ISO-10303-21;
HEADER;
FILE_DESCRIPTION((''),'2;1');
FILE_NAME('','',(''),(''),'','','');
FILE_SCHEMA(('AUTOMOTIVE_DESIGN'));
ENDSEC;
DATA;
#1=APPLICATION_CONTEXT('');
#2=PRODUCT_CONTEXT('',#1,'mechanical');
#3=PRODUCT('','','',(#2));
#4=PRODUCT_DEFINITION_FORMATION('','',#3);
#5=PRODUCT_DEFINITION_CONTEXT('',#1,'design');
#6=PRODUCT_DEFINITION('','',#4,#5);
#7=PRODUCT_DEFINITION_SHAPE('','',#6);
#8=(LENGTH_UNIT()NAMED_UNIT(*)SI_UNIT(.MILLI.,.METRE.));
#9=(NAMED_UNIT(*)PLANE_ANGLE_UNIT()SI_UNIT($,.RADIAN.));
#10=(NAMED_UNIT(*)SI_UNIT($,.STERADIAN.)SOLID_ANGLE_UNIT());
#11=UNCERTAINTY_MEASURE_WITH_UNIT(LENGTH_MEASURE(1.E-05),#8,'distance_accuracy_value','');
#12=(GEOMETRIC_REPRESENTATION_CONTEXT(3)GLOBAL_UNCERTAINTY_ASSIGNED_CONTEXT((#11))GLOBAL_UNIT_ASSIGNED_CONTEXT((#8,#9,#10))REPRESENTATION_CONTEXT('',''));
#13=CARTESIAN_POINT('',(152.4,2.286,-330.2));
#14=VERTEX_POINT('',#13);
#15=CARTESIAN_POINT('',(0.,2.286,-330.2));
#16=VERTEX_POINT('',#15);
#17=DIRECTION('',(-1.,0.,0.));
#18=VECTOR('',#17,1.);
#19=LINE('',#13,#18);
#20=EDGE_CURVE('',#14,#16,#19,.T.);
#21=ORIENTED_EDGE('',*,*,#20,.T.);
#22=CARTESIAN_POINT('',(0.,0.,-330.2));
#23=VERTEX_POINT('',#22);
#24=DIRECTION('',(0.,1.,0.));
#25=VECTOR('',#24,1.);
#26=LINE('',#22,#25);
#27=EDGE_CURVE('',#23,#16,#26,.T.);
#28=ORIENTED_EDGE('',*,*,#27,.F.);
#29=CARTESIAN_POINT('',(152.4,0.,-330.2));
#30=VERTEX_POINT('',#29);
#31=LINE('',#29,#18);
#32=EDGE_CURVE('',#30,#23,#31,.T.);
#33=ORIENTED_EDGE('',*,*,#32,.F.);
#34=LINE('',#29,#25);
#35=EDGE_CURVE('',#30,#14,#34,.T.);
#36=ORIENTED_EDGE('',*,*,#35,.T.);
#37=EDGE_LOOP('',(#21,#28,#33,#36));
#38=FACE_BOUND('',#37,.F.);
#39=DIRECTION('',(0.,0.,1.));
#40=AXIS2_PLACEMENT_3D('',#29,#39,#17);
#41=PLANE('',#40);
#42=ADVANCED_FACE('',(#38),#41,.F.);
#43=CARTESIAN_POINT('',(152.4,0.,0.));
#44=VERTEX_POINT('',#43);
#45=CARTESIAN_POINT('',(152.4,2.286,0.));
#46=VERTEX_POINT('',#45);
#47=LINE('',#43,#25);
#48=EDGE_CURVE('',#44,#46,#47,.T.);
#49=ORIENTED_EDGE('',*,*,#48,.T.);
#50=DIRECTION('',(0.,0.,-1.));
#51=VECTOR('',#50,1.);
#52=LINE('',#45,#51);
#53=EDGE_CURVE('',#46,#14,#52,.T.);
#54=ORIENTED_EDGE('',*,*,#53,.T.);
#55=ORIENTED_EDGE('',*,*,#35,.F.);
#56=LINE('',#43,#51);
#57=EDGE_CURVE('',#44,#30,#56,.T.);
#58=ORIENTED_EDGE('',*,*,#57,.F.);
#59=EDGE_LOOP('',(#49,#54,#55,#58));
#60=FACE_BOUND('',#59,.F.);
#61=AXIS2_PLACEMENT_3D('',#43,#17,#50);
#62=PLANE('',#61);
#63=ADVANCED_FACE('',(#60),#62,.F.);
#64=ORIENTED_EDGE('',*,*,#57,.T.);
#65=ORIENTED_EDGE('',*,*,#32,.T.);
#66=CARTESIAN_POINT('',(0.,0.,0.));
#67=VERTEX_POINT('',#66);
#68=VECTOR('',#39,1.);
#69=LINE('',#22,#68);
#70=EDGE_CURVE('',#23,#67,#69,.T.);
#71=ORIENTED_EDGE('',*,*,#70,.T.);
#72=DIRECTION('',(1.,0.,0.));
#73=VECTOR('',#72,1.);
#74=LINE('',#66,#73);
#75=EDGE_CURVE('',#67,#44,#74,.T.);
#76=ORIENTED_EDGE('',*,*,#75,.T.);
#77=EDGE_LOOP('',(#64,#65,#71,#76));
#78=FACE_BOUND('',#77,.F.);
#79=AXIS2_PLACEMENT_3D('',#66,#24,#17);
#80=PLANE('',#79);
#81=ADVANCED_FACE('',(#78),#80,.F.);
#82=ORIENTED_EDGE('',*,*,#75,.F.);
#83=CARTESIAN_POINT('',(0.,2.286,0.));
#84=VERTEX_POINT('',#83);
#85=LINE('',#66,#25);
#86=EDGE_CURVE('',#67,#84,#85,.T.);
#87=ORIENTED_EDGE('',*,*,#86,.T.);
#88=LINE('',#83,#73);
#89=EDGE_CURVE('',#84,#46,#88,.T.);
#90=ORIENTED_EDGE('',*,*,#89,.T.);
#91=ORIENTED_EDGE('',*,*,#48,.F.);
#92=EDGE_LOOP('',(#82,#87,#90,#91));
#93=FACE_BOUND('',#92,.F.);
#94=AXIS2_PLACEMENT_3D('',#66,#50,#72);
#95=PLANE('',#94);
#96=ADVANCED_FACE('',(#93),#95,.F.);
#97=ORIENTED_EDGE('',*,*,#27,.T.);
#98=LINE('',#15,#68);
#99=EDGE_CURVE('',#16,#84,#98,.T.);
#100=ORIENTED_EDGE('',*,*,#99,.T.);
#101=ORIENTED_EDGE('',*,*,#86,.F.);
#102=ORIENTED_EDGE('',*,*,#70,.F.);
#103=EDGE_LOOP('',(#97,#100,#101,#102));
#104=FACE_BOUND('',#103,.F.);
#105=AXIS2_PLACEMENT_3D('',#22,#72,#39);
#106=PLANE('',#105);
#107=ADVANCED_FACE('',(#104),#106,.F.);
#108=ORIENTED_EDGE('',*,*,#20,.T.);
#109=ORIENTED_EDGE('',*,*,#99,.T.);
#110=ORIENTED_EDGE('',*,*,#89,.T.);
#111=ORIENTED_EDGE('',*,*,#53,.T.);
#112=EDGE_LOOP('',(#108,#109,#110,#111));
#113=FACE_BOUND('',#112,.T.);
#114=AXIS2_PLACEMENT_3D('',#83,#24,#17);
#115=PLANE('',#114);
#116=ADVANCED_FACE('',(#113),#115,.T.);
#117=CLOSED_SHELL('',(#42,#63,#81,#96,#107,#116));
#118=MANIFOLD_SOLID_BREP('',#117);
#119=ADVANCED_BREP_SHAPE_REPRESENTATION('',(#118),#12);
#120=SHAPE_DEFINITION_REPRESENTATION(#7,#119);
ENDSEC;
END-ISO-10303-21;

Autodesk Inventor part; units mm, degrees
ref_plane "YZ Plane" through (0, 0, 0) normal (1, 0, 0) x (0, 1, 0)
ref_plane "XZ Plane" through (0, 0, 0) normal (0, 1, 0) x (-1, 0, 0)
ref_plane "XY Plane" through (0, 0, 0) normal (0, 0, 1) x (1, 0, 0)
sketch "Sketch1" plane through (0, 0, 0) normal (0, 1, 0) x (-1, 0, 0)
  line L0 (0, 0) -> (-152.4, 0)
  line L1 (-152.4, 0) -> (-152.4, -330.2)
  line L2 (-152.4, -330.2) -> (0, -330.2)
  line L3 (0, -330.2) -> (0, 0)
  dimension "d0" = 152.4
  dimension "d1" = 330.2
extrude "Extrusion1" add sketch "Sketch1" along normal blind 2.286
properties part number "Plate6x13"
